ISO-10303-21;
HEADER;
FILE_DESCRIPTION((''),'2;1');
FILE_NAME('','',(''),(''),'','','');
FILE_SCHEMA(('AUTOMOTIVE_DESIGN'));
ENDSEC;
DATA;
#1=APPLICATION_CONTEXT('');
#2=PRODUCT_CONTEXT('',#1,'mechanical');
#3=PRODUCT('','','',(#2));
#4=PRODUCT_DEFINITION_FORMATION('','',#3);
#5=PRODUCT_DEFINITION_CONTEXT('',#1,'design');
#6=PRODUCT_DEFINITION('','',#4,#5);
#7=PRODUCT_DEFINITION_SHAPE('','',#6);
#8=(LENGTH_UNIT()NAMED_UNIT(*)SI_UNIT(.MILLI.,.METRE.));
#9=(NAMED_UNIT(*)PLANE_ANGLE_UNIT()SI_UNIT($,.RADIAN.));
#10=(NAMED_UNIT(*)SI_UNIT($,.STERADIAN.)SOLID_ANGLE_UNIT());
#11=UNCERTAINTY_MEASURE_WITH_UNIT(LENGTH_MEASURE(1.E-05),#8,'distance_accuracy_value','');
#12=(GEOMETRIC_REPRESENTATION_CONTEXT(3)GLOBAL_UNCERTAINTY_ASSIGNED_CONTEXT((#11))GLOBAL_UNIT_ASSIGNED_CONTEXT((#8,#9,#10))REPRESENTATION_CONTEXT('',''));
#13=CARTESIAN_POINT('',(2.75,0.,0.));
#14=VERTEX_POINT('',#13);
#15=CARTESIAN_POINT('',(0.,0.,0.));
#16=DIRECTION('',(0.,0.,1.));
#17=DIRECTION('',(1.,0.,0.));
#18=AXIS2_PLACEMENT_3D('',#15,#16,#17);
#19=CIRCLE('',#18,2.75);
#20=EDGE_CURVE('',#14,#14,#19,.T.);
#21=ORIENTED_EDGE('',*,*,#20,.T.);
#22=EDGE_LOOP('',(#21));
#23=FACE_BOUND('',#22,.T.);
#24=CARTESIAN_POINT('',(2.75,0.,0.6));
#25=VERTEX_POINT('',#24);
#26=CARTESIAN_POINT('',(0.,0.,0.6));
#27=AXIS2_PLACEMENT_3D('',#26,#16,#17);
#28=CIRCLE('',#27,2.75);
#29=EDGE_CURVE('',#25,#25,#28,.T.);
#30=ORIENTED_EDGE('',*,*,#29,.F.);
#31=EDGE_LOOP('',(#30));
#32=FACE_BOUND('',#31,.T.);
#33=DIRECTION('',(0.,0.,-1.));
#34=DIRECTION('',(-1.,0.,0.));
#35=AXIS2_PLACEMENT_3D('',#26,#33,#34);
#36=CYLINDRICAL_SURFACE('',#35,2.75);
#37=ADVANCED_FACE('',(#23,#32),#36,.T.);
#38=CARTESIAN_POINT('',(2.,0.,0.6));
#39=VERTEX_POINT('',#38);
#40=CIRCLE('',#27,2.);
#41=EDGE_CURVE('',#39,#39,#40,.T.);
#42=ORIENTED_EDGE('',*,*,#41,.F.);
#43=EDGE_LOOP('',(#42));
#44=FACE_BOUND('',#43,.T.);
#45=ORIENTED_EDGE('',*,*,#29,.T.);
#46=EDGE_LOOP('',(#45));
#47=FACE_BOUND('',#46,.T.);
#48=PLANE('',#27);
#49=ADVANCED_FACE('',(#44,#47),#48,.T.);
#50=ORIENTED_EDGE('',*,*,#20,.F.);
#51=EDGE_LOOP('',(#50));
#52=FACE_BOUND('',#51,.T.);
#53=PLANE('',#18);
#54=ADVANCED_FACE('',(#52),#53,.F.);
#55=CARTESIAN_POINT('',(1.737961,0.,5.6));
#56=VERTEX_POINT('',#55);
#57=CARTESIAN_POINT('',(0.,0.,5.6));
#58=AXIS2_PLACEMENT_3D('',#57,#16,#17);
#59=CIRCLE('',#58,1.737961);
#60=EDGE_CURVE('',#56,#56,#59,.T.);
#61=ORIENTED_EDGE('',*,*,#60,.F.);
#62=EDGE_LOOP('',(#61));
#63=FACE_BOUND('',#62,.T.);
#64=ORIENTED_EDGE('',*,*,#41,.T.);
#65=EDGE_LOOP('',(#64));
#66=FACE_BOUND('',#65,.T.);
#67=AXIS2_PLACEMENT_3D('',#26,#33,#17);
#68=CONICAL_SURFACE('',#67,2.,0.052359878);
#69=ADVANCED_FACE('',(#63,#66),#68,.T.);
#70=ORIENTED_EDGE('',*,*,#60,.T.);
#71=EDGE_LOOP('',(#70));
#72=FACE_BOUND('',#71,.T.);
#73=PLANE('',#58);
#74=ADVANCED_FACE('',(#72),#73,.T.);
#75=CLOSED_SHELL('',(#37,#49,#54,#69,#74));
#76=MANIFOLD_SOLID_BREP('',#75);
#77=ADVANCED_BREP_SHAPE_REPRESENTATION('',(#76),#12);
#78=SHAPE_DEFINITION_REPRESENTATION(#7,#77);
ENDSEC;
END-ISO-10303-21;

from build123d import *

# Parameters (mm, degrees)
SKETCH_1_R      = 2.75
EXTRUDE_1_DEPTH = 0.6
SKETCH_2_R      = 2
EXTRUDE_2_DEPTH = 5
EXTRUDE_2_TAPER = 3


with BuildPart() as part:
    # 草图1 → 凸台-拉伸1 (new body)
    with BuildSketch(Plane.XY):
        Circle(SKETCH_1_R)
    extrude(amount=EXTRUDE_1_DEPTH)

    # 草图2 → 凸台-拉伸2 (add)
    with BuildSketch(Plane.XY.offset(0.6)):
        Circle(SKETCH_2_R)
    extrude(amount=EXTRUDE_2_DEPTH, taper=EXTRUDE_2_TAPER)


solid = part.part
